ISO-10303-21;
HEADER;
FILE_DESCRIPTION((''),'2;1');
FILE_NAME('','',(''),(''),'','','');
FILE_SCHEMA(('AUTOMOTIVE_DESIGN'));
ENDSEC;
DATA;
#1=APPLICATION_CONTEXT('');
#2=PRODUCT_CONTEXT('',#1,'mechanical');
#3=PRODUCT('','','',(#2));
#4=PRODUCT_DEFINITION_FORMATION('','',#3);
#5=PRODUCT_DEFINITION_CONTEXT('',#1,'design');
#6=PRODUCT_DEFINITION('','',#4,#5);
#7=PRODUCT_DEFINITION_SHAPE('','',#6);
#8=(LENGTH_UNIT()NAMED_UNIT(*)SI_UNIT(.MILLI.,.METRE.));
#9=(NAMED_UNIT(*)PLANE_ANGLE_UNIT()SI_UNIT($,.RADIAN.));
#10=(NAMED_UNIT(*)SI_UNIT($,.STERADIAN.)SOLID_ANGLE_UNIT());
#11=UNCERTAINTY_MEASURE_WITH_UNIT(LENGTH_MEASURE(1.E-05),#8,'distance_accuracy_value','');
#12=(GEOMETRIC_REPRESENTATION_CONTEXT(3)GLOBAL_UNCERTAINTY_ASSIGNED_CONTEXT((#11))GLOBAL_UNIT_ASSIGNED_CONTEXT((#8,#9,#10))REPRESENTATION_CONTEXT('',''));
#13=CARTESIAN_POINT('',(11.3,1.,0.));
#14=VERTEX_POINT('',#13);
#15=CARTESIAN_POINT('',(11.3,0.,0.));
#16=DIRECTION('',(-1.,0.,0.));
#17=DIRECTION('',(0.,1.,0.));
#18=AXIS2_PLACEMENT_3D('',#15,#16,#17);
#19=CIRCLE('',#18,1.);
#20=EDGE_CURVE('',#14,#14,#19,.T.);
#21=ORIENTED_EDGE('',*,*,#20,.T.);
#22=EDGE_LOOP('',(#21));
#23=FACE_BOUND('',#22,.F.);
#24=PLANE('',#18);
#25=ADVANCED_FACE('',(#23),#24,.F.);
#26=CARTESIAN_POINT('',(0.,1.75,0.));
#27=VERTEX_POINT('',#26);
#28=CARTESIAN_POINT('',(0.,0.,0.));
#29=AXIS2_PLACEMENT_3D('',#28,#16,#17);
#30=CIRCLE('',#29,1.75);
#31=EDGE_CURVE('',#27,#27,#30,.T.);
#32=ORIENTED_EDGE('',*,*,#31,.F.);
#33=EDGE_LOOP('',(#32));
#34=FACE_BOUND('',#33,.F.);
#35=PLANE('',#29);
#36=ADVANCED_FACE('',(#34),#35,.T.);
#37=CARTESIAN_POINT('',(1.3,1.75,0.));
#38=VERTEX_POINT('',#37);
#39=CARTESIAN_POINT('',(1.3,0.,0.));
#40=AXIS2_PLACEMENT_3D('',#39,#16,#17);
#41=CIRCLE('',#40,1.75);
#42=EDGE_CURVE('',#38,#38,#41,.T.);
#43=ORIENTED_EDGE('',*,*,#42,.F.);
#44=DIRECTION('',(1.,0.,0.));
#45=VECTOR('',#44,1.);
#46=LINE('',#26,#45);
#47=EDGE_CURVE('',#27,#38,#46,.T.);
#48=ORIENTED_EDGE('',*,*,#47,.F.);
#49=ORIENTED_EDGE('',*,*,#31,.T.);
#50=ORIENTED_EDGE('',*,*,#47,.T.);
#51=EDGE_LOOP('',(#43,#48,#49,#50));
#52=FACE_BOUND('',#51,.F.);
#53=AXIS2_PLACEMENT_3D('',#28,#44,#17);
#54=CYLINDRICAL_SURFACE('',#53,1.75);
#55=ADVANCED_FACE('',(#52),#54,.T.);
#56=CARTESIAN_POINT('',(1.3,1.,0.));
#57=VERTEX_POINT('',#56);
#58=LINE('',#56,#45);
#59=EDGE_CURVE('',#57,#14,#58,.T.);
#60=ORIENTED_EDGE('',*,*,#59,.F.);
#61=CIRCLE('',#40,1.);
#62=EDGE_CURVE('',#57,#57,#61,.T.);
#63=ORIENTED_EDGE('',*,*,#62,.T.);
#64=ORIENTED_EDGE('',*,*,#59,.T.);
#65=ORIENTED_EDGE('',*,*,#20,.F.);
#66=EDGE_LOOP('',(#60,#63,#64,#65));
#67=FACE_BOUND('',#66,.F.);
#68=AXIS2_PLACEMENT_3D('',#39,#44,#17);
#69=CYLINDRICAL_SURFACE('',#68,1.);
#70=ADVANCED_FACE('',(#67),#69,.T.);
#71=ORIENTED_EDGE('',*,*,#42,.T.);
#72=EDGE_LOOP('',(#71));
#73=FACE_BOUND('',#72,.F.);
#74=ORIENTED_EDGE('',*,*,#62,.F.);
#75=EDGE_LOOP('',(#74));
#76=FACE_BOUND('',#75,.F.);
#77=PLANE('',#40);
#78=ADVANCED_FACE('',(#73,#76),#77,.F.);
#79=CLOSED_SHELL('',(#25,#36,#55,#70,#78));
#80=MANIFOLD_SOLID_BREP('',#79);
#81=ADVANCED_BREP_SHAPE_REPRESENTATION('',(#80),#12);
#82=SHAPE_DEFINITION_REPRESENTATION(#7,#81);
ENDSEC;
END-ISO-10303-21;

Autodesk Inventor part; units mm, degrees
ref_plane "YZ Plane" through (0, 0, 0) normal (1, 0, 0) x (0, 1, 0)
ref_plane "XZ Plane" through (0, 0, 0) normal (0, 1, 0) x (-1, 0, 0)
ref_plane "XY Plane" through (0, 0, 0) normal (0, 0, 1) x (1, 0, 0)
sketch "スケッチ1" plane through (0, 0, 0) normal (0, 0, 1) x (1, 0, 0)
  line L0 (0, 0) -> (0, 1.75)
  line L1 (0, 1.75) -> (1.3, 1.75)
  line L2 (1.3, 1.75) -> (1.3, 1)
  line L3 (1.3, 1) -> (11.3, 1)
  line L4 (11.3, 1) -> (11.3, 0)
  line L5 (11.3, 0) -> (0, 0)
  dimension "d0" = 1.3
  dimension "d1" = 10
  dimension "d2" = 1.75
  dimension "d3" = 1
revolve "回転1" add sketch "スケッチ1" angle 360 about axis through (11.3, 0, 0) along (-1, 0, 0)
properties part number "M2_L10" material "鋼"
